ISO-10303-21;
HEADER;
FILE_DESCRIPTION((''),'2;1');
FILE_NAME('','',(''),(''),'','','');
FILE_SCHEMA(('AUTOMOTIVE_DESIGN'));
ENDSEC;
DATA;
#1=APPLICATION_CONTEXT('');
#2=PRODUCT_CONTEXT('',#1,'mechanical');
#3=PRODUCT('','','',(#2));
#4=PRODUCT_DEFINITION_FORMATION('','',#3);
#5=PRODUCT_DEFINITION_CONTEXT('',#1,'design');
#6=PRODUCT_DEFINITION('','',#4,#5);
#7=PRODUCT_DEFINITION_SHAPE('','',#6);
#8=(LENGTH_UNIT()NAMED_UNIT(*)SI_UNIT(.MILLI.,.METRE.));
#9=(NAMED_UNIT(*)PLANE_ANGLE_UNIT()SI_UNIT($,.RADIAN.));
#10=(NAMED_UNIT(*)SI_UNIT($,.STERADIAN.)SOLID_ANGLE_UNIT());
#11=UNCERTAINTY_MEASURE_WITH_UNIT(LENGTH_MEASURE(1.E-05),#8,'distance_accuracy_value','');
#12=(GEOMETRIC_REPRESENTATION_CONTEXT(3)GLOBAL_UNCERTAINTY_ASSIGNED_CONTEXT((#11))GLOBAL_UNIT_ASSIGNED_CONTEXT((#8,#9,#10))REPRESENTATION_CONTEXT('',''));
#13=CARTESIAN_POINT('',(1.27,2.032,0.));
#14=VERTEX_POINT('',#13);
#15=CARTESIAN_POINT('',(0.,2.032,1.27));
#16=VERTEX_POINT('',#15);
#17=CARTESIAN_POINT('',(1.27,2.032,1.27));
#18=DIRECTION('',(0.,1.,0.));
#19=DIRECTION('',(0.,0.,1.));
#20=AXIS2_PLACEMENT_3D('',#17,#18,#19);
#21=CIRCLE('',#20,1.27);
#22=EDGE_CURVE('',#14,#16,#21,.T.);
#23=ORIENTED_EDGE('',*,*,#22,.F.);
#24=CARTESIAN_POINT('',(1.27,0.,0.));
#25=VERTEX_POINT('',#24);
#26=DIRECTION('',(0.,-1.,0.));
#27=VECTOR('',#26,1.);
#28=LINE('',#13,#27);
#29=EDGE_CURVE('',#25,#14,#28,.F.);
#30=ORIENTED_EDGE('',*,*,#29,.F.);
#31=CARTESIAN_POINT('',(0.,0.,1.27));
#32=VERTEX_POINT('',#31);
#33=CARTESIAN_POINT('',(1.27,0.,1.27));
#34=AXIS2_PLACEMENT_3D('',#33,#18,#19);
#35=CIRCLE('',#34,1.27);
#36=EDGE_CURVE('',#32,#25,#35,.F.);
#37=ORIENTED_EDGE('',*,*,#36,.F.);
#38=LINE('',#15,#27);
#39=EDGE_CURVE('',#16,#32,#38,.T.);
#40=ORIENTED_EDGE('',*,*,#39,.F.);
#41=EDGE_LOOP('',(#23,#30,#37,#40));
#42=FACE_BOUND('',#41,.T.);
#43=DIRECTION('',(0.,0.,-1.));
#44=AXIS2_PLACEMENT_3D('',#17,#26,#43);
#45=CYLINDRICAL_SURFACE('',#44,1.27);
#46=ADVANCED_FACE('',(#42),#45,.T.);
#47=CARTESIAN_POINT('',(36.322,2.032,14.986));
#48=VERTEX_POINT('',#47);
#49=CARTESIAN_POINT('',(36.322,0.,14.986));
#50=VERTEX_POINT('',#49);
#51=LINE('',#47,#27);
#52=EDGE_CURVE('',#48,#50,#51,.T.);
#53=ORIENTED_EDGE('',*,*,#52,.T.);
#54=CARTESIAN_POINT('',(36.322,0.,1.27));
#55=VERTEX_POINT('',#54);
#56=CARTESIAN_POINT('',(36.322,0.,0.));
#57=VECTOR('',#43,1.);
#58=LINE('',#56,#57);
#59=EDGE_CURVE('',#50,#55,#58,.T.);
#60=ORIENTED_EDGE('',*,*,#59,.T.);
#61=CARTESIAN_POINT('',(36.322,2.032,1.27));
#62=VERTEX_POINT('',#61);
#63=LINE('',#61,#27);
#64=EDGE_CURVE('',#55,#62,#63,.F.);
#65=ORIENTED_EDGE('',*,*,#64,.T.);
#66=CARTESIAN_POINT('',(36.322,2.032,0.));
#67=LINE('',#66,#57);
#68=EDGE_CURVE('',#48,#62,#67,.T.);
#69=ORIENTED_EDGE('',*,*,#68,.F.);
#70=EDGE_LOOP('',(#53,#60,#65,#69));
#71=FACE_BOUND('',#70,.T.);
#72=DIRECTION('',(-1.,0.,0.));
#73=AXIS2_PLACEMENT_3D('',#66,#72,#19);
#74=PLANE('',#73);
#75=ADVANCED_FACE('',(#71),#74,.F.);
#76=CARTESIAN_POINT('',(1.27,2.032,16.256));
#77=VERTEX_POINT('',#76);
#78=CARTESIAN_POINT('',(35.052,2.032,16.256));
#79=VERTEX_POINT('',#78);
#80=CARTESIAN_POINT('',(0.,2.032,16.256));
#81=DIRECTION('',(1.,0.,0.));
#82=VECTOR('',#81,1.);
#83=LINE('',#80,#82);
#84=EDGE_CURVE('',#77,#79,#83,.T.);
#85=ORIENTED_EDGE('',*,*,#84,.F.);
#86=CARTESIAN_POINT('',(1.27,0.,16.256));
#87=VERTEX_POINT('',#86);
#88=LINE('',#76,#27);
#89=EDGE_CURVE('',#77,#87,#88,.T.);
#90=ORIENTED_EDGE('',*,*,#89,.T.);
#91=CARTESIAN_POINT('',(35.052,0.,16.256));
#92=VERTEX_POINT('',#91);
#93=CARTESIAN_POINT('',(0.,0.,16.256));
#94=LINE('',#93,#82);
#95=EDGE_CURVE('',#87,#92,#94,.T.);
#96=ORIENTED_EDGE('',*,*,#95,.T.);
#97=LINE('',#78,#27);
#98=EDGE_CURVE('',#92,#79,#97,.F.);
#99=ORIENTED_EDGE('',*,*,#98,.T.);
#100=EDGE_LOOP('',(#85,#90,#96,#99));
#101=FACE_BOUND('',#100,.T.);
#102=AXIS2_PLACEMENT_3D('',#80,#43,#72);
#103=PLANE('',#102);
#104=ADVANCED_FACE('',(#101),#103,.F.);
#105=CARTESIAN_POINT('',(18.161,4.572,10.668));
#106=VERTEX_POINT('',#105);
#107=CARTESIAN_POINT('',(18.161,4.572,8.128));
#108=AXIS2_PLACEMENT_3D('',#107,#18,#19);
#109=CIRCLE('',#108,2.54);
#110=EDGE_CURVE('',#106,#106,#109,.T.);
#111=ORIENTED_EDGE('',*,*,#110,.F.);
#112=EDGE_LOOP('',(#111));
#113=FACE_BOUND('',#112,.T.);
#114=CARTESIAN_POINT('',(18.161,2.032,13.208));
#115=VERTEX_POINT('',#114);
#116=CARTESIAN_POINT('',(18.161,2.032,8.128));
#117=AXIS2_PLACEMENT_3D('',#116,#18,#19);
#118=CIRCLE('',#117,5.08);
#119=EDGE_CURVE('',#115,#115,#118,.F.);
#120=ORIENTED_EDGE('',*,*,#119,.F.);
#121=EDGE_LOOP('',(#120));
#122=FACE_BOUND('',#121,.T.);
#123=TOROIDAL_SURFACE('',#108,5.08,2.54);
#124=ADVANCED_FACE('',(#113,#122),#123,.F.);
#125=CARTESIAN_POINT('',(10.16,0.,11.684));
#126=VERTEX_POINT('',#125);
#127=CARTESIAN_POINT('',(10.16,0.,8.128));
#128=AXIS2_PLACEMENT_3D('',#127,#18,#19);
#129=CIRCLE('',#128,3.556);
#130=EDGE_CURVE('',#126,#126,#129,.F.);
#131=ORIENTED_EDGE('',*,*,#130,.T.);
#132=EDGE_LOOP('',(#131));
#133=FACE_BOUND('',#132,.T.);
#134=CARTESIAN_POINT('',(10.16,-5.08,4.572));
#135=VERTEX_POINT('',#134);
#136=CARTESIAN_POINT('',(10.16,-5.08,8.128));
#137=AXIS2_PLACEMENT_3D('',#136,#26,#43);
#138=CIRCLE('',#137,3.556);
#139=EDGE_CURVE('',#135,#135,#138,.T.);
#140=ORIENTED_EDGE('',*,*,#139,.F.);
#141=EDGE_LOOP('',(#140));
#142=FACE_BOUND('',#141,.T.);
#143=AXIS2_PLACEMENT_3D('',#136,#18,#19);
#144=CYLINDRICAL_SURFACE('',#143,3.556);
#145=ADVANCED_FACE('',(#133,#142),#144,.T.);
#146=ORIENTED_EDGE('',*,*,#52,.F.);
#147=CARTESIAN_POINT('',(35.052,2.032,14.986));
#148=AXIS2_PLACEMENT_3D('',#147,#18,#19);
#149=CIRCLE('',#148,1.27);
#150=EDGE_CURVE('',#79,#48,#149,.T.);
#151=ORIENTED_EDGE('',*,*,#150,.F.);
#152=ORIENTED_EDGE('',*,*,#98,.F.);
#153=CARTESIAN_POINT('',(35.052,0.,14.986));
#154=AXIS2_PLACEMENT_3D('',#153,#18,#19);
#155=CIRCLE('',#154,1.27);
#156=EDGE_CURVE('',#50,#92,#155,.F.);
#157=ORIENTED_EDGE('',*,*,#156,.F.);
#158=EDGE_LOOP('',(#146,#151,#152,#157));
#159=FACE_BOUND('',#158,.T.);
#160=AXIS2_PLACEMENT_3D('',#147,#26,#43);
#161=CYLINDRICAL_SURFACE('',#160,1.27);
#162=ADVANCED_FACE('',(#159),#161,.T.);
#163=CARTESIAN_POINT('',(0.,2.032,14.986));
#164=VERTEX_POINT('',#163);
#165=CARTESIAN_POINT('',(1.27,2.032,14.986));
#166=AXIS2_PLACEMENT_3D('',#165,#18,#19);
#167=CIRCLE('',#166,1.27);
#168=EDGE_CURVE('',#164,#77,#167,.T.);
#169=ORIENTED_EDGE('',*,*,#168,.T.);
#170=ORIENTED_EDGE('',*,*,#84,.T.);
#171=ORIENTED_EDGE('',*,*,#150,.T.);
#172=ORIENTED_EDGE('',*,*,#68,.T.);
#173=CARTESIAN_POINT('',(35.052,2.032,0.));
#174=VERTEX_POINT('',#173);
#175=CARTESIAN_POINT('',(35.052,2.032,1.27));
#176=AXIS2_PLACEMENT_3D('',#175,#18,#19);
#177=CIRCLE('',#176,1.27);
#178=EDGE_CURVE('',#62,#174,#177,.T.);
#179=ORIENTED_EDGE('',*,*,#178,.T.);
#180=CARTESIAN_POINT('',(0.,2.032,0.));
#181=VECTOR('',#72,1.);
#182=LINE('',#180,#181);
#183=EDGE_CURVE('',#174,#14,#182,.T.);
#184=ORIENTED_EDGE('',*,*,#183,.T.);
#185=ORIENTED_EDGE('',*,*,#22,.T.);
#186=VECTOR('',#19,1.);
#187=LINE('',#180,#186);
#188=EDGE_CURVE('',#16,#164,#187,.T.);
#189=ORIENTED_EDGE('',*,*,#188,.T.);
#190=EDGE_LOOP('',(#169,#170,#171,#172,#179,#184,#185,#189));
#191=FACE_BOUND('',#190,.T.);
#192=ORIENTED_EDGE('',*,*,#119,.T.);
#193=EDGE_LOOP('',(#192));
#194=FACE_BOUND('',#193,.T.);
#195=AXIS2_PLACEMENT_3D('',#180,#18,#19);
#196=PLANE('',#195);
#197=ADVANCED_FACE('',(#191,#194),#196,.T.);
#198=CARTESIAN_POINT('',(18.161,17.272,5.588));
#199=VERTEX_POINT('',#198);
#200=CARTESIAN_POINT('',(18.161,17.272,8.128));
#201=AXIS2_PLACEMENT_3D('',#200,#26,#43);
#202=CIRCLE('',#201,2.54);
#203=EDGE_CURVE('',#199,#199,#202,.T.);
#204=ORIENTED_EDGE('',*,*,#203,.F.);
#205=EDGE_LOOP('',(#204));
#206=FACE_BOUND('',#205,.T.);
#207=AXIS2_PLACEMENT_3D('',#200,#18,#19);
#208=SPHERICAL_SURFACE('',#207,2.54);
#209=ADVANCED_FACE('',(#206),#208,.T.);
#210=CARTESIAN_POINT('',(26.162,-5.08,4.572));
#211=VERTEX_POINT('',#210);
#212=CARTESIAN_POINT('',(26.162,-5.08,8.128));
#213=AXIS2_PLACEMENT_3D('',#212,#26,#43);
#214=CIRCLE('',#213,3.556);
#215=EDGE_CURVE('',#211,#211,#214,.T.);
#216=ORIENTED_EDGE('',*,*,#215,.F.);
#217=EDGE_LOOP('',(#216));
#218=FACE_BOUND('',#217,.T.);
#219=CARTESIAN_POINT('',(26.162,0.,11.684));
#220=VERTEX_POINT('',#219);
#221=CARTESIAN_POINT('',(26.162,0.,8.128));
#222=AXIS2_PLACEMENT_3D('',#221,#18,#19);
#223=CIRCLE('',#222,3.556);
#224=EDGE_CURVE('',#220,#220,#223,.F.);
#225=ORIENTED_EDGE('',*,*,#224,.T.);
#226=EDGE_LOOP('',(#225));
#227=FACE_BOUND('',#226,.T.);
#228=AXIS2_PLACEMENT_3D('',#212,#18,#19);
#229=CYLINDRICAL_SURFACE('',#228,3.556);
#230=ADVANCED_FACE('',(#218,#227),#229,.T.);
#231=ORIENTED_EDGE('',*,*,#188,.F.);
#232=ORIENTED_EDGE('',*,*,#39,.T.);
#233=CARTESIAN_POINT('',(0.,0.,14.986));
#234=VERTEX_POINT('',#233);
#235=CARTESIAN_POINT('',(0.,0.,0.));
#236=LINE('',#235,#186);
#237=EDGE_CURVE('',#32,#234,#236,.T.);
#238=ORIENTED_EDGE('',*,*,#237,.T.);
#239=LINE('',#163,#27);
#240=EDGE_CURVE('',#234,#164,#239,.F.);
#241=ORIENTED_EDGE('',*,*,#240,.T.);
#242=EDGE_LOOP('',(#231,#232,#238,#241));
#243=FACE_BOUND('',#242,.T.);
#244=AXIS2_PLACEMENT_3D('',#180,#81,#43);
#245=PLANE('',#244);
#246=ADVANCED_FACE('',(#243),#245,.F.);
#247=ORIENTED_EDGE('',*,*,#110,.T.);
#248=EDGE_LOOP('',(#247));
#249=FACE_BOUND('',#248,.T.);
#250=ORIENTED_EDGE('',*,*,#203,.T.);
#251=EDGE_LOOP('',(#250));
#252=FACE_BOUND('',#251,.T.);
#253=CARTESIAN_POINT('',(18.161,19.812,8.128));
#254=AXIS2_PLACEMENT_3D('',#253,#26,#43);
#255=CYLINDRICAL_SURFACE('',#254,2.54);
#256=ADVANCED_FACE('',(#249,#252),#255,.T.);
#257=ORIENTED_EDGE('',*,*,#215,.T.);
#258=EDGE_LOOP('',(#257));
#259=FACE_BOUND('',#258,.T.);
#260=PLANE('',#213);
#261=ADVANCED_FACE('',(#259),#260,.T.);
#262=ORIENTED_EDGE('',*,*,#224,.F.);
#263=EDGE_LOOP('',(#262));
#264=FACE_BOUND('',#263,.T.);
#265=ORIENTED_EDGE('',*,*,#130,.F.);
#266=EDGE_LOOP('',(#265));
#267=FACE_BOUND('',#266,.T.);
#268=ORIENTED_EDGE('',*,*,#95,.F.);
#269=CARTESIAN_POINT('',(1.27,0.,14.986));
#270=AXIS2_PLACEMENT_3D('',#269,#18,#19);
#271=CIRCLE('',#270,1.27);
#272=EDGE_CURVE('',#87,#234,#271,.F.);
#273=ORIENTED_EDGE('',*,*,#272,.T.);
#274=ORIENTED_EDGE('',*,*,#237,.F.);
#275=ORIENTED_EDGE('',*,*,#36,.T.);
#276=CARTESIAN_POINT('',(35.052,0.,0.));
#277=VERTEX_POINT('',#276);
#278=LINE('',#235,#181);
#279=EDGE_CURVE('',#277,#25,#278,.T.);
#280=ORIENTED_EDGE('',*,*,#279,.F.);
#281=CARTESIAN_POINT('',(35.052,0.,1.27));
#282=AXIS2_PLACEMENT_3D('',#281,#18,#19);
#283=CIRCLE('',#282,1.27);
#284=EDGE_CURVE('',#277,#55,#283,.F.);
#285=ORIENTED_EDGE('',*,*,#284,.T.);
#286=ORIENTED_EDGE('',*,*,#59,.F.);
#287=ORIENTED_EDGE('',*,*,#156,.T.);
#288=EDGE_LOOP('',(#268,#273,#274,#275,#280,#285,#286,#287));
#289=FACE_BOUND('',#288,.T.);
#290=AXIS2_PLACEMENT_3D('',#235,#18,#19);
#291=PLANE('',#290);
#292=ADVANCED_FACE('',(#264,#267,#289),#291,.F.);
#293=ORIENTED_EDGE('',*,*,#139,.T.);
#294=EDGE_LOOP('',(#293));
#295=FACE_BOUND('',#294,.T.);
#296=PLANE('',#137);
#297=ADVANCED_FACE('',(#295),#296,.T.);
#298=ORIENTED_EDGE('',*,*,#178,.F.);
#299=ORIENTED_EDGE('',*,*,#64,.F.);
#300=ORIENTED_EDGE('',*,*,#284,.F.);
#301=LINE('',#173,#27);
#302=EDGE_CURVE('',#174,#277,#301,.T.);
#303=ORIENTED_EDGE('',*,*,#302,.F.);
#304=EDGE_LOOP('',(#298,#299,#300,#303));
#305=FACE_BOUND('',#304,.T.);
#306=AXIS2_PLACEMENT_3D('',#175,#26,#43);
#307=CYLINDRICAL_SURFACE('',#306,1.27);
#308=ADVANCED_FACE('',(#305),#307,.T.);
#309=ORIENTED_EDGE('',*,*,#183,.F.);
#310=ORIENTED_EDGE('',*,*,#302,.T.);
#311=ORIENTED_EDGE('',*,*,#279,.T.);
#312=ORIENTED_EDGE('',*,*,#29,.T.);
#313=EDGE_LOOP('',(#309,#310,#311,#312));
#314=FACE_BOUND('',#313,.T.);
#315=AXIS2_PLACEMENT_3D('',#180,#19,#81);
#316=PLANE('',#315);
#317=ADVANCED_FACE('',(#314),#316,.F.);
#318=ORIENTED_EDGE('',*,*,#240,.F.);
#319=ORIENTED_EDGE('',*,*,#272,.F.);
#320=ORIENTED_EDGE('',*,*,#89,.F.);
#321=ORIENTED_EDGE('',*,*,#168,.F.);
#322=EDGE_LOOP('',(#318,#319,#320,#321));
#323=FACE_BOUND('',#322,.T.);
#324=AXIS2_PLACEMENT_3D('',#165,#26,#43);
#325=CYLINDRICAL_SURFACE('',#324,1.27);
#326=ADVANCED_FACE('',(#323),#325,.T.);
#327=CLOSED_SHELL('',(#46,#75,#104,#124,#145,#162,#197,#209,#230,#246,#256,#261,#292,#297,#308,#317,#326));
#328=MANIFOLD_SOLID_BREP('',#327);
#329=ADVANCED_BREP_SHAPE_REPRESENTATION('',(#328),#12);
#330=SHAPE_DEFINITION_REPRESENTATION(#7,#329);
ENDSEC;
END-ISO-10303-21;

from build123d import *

# Parameters (mm, degrees)
SKETCH1_W           = 36.322
SKETCH1_H           = 16.256
BOSS_EXTRUDE1_DEPTH = 2.032
SKETCH2_R           = 2.54
BOSS_EXTRUDE2_DEPTH = 17.78
FILLET1_R           = 2.54
FILLET2_R           = 2.54
FILLET3_R           = 1.27
SKETCH3_R           = 3.556
BOSS_EXTRUDE3_DEPTH = 5.08


with BuildPart() as part:
    # Sketch1 → Boss-Extrude1 (new body)
    with BuildSketch(Plane(origin=(0, 0, 0), x_dir=(1, 0, 0), z_dir=(0, 1, 0))):
        with Locations((18.161, -8.128)):
            Rectangle(SKETCH1_W, SKETCH1_H)
    extrude(amount=BOSS_EXTRUDE1_DEPTH)

    # Sketch2 → Boss-Extrude2 (add)
    with BuildSketch(Plane(origin=(0, 2.032, 0), x_dir=(1, 0, 0), z_dir=(0, 1, 0))):
        with Locations(Location((18.161, -8.128, 0), (0, 0, 270))):
            Circle(SKETCH2_R)
    extrude(amount=BOSS_EXTRUDE2_DEPTH)

    # Fillet1
    fillet1_edges = [part.edges().sort_by_distance(p)[0] for p in [
        (18.161, 19.812, 5.588),
    ]]
    fillet(fillet1_edges, radius=FILLET1_R)

    # Fillet2
    fillet2_edges = [part.edges().sort_by_distance(p)[0] for p in [
        (18.161, 2.032, 5.588),
    ]]
    fillet(fillet2_edges, radius=FILLET2_R)

    # Fillet3
    fillet3_edges = [part.edges().sort_by_distance(p)[0] for p in [
        (0, 1.016, 0),
        (36.322, 1.016, 0),
        (36.322, 1.016, 16.256),
        (0, 1.016, 16.256),
    ]]
    fillet(fillet3_edges, radius=FILLET3_R)

    # Sketch3 → Boss-Extrude3 (add)
    with BuildSketch(Plane.XZ):
        with Locations(Location((10.16, 8.128, 0), (0, 0, 90))):
            Circle(SKETCH3_R)
        with Locations(Location((26.162, 8.128, 0), (0, 0, 90))):
            Circle(SKETCH3_R)
    extrude(amount=BOSS_EXTRUDE3_DEPTH)


solid = part.part
